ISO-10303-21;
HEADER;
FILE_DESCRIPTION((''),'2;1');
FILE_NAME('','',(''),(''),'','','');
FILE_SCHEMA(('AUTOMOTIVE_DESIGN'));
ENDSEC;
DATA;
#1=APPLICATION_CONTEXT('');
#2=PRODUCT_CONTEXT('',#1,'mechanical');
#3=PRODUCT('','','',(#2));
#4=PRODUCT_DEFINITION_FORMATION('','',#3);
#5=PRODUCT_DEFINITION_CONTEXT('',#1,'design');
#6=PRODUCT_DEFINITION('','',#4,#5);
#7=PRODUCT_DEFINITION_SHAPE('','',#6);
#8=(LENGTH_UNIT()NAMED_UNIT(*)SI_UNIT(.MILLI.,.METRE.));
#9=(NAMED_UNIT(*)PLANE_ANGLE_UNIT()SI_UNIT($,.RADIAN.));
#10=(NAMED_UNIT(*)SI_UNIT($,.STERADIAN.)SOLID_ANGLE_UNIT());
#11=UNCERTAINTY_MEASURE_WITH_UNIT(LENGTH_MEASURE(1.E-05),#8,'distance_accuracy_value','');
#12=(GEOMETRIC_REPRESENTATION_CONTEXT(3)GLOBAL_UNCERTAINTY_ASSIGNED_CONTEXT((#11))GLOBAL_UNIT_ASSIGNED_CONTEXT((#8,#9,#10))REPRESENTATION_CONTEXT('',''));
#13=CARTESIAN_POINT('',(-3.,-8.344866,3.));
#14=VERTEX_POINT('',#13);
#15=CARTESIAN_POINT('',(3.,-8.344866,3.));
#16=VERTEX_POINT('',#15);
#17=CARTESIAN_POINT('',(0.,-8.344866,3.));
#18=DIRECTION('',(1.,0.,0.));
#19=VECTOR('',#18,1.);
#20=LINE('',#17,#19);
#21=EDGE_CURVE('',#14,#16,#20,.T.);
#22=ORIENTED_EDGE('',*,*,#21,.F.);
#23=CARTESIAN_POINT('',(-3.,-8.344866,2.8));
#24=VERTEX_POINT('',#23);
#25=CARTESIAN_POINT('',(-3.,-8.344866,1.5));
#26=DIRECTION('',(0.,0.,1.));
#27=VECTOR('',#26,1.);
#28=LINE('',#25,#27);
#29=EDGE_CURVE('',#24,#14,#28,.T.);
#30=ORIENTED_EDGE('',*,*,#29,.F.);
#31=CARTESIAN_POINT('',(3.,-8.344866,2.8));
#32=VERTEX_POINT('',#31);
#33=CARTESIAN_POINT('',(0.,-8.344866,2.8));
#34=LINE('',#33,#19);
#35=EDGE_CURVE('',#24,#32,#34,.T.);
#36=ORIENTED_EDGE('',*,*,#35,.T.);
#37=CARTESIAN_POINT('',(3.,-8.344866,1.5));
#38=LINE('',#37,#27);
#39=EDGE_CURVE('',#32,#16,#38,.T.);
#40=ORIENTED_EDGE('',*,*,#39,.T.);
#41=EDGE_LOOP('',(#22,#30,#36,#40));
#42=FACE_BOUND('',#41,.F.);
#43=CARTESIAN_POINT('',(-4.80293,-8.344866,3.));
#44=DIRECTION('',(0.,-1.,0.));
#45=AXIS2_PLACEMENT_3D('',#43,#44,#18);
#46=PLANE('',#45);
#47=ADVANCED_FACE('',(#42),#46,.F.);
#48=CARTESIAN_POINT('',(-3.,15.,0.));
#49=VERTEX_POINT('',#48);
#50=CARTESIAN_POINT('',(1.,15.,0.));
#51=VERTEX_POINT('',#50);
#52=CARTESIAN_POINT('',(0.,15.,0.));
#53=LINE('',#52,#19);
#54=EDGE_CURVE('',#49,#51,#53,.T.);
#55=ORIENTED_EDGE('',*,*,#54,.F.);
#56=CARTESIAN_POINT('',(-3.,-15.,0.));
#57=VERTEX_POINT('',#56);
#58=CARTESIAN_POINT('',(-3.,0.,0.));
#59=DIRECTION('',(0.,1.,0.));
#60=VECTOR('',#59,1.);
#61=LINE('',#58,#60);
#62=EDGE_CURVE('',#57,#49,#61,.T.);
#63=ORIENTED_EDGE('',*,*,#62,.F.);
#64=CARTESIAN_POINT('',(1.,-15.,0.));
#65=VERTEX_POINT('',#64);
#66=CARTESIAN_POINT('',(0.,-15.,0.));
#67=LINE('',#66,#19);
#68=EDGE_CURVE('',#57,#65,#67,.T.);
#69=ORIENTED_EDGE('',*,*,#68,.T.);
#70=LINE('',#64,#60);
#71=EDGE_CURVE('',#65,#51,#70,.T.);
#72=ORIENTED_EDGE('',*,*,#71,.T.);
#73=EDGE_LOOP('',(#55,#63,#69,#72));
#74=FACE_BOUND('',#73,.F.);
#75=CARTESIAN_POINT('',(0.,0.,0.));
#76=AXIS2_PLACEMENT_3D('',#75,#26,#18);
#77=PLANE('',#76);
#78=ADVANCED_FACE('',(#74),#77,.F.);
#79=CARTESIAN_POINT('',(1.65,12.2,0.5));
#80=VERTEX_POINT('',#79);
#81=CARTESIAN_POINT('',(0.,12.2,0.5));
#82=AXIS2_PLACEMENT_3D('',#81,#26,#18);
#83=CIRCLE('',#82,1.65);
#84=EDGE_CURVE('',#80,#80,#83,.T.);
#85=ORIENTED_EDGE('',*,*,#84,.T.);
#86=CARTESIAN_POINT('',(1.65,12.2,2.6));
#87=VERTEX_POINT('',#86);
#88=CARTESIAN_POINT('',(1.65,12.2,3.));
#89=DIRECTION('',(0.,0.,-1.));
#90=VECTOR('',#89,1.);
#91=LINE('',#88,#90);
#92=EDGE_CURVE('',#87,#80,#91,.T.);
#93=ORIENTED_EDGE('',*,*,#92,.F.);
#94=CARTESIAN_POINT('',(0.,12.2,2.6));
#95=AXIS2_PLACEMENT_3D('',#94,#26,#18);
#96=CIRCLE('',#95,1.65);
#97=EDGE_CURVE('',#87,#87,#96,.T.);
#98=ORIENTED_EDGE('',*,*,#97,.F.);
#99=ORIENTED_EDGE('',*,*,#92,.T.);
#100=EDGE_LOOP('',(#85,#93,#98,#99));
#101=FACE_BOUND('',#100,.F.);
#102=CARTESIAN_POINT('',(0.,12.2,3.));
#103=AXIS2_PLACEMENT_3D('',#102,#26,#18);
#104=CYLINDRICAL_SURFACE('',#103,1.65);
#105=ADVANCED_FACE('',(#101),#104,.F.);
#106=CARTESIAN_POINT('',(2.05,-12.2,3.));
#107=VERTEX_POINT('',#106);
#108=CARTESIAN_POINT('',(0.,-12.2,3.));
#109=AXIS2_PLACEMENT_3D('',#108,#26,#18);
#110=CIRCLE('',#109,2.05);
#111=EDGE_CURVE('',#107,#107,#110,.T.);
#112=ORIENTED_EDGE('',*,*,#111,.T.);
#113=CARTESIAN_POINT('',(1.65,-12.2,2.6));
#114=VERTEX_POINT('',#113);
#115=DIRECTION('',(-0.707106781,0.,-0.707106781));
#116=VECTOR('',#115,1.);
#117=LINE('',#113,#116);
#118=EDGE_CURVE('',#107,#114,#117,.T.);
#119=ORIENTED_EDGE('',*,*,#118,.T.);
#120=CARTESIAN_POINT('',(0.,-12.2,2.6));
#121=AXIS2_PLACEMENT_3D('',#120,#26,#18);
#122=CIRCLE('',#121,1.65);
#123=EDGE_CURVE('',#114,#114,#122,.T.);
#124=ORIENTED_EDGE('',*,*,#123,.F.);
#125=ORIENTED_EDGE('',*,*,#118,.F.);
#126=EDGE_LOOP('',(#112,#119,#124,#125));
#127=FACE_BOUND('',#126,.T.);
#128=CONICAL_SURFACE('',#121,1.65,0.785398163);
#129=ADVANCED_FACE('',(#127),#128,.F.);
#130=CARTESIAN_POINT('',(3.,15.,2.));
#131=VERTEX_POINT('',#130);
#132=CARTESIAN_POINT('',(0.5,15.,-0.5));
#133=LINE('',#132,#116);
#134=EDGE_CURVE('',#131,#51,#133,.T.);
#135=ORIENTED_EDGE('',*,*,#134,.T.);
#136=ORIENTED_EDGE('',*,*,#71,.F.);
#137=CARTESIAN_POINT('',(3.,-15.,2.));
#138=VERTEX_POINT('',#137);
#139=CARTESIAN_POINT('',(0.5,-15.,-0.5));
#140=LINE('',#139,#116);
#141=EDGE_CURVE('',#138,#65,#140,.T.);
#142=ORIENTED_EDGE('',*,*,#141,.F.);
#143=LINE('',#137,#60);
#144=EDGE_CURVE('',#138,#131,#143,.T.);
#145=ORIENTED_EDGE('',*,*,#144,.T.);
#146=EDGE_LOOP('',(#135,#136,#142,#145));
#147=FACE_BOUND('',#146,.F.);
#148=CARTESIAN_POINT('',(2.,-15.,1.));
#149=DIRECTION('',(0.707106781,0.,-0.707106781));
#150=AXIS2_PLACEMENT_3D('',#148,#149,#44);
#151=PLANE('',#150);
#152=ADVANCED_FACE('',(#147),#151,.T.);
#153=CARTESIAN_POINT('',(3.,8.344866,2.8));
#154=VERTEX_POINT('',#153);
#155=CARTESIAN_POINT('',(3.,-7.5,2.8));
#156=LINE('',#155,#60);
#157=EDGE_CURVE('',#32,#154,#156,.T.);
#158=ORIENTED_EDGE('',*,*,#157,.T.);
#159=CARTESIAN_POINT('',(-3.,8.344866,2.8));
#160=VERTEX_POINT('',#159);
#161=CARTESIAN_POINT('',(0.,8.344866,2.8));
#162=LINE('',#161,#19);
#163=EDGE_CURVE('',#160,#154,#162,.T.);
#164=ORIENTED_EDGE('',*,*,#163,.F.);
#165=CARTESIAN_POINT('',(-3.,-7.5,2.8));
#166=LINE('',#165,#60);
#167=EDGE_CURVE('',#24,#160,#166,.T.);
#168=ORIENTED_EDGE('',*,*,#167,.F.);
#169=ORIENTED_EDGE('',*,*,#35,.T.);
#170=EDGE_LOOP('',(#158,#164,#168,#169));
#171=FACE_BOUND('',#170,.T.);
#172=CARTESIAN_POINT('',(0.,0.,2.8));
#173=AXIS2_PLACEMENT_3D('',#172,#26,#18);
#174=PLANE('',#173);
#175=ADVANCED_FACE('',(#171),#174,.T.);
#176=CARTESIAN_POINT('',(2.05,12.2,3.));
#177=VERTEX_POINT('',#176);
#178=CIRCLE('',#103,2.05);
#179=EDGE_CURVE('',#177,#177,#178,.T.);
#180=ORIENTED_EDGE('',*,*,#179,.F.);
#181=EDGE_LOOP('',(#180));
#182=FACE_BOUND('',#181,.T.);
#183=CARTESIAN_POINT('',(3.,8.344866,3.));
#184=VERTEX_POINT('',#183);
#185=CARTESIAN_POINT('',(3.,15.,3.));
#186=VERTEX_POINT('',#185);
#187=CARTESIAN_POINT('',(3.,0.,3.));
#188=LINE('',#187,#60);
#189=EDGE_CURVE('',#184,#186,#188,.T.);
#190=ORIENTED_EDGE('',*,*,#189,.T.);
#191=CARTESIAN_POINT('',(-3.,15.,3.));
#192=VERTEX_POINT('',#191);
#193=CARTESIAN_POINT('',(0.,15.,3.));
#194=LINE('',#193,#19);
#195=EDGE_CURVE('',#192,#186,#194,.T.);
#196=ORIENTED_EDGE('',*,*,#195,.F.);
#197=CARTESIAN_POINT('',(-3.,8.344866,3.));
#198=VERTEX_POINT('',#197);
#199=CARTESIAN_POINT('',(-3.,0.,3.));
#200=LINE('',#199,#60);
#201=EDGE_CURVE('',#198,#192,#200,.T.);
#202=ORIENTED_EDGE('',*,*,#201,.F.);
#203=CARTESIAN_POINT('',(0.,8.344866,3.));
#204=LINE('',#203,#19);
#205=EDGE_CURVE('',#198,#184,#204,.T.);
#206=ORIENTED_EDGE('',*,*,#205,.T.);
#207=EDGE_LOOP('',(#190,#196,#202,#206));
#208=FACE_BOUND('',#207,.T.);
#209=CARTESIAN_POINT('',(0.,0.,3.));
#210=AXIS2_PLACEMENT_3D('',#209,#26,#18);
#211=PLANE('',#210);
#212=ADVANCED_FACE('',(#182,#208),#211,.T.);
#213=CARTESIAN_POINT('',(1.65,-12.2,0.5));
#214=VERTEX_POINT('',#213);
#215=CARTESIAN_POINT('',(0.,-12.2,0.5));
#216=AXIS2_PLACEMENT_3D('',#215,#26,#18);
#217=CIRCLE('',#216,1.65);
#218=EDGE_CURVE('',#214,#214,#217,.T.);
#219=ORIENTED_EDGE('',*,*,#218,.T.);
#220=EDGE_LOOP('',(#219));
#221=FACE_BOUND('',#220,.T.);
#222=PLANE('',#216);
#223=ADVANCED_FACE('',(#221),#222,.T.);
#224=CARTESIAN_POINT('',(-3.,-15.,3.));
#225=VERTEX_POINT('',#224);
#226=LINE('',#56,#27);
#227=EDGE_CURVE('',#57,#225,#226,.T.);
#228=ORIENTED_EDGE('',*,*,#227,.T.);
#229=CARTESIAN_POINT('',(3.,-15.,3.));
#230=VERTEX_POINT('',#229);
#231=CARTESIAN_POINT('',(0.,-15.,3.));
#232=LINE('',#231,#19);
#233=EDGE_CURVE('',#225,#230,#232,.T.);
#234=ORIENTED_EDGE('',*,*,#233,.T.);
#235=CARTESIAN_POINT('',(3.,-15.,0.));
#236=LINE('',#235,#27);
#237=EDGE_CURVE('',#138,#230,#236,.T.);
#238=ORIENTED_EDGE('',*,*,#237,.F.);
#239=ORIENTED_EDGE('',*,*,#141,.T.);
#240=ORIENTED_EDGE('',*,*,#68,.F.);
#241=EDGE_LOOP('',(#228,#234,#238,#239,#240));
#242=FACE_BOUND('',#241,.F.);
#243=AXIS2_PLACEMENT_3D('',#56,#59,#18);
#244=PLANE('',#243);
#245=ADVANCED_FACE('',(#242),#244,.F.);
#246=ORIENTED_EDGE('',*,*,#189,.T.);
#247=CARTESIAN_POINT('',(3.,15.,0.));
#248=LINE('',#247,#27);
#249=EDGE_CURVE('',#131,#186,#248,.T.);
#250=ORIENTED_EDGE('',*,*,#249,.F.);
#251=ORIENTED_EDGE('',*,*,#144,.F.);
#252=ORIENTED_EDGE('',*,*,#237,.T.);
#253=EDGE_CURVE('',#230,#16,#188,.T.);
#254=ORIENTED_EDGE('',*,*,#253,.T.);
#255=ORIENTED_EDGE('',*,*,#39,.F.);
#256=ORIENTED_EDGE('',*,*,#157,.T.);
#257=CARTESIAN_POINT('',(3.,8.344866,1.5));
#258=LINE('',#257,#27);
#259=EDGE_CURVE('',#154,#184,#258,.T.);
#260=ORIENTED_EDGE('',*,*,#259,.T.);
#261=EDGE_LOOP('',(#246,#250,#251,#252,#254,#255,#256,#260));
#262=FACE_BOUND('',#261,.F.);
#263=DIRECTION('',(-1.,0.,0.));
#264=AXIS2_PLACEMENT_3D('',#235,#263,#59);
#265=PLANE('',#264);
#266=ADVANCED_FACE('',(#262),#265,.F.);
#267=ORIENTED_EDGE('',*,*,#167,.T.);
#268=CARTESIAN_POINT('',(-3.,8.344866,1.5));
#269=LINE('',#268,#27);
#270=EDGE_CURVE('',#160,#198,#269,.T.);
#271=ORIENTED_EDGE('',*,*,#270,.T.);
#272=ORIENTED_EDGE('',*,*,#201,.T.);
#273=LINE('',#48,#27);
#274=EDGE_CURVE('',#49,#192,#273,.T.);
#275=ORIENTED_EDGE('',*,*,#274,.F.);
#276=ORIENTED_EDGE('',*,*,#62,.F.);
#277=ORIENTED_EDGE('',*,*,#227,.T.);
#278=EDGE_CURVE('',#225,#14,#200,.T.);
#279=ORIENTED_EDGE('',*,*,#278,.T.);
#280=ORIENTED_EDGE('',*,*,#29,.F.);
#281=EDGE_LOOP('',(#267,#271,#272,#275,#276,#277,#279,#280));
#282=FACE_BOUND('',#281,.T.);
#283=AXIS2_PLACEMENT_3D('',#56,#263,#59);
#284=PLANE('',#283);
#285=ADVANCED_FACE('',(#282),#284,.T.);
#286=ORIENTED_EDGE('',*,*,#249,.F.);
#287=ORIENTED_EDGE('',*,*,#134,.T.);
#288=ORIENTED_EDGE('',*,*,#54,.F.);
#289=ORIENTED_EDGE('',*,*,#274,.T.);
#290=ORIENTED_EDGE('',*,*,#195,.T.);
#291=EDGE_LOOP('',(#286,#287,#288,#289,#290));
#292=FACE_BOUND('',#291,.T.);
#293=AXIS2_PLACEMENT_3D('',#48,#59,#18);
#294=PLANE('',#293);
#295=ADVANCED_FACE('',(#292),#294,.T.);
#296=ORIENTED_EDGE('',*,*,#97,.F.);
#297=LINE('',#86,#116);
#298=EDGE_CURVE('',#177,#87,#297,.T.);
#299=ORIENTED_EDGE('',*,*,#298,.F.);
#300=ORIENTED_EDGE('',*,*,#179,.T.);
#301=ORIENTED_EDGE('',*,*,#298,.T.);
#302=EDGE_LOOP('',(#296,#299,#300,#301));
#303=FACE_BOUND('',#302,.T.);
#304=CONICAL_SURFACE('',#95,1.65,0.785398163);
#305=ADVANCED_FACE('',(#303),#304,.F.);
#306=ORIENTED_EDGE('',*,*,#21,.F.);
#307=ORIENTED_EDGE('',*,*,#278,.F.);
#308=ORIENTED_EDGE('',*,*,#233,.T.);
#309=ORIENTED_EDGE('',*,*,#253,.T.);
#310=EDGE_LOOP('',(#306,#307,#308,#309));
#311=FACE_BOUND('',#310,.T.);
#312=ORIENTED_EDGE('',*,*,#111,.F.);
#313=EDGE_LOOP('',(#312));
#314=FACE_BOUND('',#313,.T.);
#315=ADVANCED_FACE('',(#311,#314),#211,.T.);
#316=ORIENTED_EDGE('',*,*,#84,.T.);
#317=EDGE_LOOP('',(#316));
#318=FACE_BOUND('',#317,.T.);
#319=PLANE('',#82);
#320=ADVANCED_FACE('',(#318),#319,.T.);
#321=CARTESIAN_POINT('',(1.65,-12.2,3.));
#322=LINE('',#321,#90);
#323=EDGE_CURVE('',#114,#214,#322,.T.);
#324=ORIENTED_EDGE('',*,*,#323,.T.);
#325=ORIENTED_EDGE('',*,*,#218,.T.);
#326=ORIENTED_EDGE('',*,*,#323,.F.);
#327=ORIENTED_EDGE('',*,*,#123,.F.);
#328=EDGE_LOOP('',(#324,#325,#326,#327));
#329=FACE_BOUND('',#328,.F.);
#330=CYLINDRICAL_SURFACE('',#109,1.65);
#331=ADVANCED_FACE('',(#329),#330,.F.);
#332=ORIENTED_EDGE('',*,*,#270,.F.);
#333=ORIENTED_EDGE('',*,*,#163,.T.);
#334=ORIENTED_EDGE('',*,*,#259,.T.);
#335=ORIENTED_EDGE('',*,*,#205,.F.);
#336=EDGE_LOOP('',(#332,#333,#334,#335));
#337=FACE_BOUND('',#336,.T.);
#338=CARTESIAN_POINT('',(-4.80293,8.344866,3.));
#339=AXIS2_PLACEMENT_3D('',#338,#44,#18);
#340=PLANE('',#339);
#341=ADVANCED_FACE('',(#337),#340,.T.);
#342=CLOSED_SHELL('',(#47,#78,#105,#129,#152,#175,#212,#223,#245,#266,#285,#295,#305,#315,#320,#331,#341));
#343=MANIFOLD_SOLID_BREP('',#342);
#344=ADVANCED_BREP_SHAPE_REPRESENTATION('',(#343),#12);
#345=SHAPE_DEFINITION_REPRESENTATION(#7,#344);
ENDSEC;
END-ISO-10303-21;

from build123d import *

# Parameters (mm, degrees)
SKETCH_W        = 6
SKETCH_H        = 30
PAD_DEPTH       = 3
SKETCH001_R     = 1.65
POCKET_DEPTH    = 2.5
CHAMFER_SIZE    = 0.4
SKETCH002_W     = 9.60586
SKETCH002_H     = 16.689732
POCKET001_DEPTH = 0.2
CHAMFER001_SIZE = 2


with BuildPart() as part:
    # Sketch → Pad (new body)
    with BuildSketch(Plane.XY):
        Rectangle(SKETCH_W, SKETCH_H)
    extrude(amount=PAD_DEPTH)

    # Sketch001 (on Face6 of Pad) → Pocket (cut)
    with BuildSketch(Plane.XY.offset(3)):
        with Locations((0, 12.2)):
            Circle(SKETCH001_R)
        with Locations((0, -12.2)):
            Circle(SKETCH001_R)
    extrude(amount=-POCKET_DEPTH, mode=Mode.SUBTRACT)

    # Chamfer
    chamfer_edges = [part.edges().sort_by_distance(p)[0] for p in [
        (-1.65, 12.2, 3),
        (-1.65, -12.2, 3),
    ]]
    chamfer(chamfer_edges, length=CHAMFER_SIZE)

    # Sketch002 (on Face1 of Chamfer) → Pocket001 (cut)
    with BuildSketch(Plane.XY.offset(3)):
        Rectangle(SKETCH002_W, SKETCH002_H)
    extrude(amount=-POCKET001_DEPTH, mode=Mode.SUBTRACT)

    # Chamfer001
    chamfer001_edges = [part.edges().sort_by_distance(p)[0] for p in [
        (3, 0, 0),
    ]]
    chamfer(chamfer001_edges, length=CHAMFER001_SIZE)


solid = part.part
